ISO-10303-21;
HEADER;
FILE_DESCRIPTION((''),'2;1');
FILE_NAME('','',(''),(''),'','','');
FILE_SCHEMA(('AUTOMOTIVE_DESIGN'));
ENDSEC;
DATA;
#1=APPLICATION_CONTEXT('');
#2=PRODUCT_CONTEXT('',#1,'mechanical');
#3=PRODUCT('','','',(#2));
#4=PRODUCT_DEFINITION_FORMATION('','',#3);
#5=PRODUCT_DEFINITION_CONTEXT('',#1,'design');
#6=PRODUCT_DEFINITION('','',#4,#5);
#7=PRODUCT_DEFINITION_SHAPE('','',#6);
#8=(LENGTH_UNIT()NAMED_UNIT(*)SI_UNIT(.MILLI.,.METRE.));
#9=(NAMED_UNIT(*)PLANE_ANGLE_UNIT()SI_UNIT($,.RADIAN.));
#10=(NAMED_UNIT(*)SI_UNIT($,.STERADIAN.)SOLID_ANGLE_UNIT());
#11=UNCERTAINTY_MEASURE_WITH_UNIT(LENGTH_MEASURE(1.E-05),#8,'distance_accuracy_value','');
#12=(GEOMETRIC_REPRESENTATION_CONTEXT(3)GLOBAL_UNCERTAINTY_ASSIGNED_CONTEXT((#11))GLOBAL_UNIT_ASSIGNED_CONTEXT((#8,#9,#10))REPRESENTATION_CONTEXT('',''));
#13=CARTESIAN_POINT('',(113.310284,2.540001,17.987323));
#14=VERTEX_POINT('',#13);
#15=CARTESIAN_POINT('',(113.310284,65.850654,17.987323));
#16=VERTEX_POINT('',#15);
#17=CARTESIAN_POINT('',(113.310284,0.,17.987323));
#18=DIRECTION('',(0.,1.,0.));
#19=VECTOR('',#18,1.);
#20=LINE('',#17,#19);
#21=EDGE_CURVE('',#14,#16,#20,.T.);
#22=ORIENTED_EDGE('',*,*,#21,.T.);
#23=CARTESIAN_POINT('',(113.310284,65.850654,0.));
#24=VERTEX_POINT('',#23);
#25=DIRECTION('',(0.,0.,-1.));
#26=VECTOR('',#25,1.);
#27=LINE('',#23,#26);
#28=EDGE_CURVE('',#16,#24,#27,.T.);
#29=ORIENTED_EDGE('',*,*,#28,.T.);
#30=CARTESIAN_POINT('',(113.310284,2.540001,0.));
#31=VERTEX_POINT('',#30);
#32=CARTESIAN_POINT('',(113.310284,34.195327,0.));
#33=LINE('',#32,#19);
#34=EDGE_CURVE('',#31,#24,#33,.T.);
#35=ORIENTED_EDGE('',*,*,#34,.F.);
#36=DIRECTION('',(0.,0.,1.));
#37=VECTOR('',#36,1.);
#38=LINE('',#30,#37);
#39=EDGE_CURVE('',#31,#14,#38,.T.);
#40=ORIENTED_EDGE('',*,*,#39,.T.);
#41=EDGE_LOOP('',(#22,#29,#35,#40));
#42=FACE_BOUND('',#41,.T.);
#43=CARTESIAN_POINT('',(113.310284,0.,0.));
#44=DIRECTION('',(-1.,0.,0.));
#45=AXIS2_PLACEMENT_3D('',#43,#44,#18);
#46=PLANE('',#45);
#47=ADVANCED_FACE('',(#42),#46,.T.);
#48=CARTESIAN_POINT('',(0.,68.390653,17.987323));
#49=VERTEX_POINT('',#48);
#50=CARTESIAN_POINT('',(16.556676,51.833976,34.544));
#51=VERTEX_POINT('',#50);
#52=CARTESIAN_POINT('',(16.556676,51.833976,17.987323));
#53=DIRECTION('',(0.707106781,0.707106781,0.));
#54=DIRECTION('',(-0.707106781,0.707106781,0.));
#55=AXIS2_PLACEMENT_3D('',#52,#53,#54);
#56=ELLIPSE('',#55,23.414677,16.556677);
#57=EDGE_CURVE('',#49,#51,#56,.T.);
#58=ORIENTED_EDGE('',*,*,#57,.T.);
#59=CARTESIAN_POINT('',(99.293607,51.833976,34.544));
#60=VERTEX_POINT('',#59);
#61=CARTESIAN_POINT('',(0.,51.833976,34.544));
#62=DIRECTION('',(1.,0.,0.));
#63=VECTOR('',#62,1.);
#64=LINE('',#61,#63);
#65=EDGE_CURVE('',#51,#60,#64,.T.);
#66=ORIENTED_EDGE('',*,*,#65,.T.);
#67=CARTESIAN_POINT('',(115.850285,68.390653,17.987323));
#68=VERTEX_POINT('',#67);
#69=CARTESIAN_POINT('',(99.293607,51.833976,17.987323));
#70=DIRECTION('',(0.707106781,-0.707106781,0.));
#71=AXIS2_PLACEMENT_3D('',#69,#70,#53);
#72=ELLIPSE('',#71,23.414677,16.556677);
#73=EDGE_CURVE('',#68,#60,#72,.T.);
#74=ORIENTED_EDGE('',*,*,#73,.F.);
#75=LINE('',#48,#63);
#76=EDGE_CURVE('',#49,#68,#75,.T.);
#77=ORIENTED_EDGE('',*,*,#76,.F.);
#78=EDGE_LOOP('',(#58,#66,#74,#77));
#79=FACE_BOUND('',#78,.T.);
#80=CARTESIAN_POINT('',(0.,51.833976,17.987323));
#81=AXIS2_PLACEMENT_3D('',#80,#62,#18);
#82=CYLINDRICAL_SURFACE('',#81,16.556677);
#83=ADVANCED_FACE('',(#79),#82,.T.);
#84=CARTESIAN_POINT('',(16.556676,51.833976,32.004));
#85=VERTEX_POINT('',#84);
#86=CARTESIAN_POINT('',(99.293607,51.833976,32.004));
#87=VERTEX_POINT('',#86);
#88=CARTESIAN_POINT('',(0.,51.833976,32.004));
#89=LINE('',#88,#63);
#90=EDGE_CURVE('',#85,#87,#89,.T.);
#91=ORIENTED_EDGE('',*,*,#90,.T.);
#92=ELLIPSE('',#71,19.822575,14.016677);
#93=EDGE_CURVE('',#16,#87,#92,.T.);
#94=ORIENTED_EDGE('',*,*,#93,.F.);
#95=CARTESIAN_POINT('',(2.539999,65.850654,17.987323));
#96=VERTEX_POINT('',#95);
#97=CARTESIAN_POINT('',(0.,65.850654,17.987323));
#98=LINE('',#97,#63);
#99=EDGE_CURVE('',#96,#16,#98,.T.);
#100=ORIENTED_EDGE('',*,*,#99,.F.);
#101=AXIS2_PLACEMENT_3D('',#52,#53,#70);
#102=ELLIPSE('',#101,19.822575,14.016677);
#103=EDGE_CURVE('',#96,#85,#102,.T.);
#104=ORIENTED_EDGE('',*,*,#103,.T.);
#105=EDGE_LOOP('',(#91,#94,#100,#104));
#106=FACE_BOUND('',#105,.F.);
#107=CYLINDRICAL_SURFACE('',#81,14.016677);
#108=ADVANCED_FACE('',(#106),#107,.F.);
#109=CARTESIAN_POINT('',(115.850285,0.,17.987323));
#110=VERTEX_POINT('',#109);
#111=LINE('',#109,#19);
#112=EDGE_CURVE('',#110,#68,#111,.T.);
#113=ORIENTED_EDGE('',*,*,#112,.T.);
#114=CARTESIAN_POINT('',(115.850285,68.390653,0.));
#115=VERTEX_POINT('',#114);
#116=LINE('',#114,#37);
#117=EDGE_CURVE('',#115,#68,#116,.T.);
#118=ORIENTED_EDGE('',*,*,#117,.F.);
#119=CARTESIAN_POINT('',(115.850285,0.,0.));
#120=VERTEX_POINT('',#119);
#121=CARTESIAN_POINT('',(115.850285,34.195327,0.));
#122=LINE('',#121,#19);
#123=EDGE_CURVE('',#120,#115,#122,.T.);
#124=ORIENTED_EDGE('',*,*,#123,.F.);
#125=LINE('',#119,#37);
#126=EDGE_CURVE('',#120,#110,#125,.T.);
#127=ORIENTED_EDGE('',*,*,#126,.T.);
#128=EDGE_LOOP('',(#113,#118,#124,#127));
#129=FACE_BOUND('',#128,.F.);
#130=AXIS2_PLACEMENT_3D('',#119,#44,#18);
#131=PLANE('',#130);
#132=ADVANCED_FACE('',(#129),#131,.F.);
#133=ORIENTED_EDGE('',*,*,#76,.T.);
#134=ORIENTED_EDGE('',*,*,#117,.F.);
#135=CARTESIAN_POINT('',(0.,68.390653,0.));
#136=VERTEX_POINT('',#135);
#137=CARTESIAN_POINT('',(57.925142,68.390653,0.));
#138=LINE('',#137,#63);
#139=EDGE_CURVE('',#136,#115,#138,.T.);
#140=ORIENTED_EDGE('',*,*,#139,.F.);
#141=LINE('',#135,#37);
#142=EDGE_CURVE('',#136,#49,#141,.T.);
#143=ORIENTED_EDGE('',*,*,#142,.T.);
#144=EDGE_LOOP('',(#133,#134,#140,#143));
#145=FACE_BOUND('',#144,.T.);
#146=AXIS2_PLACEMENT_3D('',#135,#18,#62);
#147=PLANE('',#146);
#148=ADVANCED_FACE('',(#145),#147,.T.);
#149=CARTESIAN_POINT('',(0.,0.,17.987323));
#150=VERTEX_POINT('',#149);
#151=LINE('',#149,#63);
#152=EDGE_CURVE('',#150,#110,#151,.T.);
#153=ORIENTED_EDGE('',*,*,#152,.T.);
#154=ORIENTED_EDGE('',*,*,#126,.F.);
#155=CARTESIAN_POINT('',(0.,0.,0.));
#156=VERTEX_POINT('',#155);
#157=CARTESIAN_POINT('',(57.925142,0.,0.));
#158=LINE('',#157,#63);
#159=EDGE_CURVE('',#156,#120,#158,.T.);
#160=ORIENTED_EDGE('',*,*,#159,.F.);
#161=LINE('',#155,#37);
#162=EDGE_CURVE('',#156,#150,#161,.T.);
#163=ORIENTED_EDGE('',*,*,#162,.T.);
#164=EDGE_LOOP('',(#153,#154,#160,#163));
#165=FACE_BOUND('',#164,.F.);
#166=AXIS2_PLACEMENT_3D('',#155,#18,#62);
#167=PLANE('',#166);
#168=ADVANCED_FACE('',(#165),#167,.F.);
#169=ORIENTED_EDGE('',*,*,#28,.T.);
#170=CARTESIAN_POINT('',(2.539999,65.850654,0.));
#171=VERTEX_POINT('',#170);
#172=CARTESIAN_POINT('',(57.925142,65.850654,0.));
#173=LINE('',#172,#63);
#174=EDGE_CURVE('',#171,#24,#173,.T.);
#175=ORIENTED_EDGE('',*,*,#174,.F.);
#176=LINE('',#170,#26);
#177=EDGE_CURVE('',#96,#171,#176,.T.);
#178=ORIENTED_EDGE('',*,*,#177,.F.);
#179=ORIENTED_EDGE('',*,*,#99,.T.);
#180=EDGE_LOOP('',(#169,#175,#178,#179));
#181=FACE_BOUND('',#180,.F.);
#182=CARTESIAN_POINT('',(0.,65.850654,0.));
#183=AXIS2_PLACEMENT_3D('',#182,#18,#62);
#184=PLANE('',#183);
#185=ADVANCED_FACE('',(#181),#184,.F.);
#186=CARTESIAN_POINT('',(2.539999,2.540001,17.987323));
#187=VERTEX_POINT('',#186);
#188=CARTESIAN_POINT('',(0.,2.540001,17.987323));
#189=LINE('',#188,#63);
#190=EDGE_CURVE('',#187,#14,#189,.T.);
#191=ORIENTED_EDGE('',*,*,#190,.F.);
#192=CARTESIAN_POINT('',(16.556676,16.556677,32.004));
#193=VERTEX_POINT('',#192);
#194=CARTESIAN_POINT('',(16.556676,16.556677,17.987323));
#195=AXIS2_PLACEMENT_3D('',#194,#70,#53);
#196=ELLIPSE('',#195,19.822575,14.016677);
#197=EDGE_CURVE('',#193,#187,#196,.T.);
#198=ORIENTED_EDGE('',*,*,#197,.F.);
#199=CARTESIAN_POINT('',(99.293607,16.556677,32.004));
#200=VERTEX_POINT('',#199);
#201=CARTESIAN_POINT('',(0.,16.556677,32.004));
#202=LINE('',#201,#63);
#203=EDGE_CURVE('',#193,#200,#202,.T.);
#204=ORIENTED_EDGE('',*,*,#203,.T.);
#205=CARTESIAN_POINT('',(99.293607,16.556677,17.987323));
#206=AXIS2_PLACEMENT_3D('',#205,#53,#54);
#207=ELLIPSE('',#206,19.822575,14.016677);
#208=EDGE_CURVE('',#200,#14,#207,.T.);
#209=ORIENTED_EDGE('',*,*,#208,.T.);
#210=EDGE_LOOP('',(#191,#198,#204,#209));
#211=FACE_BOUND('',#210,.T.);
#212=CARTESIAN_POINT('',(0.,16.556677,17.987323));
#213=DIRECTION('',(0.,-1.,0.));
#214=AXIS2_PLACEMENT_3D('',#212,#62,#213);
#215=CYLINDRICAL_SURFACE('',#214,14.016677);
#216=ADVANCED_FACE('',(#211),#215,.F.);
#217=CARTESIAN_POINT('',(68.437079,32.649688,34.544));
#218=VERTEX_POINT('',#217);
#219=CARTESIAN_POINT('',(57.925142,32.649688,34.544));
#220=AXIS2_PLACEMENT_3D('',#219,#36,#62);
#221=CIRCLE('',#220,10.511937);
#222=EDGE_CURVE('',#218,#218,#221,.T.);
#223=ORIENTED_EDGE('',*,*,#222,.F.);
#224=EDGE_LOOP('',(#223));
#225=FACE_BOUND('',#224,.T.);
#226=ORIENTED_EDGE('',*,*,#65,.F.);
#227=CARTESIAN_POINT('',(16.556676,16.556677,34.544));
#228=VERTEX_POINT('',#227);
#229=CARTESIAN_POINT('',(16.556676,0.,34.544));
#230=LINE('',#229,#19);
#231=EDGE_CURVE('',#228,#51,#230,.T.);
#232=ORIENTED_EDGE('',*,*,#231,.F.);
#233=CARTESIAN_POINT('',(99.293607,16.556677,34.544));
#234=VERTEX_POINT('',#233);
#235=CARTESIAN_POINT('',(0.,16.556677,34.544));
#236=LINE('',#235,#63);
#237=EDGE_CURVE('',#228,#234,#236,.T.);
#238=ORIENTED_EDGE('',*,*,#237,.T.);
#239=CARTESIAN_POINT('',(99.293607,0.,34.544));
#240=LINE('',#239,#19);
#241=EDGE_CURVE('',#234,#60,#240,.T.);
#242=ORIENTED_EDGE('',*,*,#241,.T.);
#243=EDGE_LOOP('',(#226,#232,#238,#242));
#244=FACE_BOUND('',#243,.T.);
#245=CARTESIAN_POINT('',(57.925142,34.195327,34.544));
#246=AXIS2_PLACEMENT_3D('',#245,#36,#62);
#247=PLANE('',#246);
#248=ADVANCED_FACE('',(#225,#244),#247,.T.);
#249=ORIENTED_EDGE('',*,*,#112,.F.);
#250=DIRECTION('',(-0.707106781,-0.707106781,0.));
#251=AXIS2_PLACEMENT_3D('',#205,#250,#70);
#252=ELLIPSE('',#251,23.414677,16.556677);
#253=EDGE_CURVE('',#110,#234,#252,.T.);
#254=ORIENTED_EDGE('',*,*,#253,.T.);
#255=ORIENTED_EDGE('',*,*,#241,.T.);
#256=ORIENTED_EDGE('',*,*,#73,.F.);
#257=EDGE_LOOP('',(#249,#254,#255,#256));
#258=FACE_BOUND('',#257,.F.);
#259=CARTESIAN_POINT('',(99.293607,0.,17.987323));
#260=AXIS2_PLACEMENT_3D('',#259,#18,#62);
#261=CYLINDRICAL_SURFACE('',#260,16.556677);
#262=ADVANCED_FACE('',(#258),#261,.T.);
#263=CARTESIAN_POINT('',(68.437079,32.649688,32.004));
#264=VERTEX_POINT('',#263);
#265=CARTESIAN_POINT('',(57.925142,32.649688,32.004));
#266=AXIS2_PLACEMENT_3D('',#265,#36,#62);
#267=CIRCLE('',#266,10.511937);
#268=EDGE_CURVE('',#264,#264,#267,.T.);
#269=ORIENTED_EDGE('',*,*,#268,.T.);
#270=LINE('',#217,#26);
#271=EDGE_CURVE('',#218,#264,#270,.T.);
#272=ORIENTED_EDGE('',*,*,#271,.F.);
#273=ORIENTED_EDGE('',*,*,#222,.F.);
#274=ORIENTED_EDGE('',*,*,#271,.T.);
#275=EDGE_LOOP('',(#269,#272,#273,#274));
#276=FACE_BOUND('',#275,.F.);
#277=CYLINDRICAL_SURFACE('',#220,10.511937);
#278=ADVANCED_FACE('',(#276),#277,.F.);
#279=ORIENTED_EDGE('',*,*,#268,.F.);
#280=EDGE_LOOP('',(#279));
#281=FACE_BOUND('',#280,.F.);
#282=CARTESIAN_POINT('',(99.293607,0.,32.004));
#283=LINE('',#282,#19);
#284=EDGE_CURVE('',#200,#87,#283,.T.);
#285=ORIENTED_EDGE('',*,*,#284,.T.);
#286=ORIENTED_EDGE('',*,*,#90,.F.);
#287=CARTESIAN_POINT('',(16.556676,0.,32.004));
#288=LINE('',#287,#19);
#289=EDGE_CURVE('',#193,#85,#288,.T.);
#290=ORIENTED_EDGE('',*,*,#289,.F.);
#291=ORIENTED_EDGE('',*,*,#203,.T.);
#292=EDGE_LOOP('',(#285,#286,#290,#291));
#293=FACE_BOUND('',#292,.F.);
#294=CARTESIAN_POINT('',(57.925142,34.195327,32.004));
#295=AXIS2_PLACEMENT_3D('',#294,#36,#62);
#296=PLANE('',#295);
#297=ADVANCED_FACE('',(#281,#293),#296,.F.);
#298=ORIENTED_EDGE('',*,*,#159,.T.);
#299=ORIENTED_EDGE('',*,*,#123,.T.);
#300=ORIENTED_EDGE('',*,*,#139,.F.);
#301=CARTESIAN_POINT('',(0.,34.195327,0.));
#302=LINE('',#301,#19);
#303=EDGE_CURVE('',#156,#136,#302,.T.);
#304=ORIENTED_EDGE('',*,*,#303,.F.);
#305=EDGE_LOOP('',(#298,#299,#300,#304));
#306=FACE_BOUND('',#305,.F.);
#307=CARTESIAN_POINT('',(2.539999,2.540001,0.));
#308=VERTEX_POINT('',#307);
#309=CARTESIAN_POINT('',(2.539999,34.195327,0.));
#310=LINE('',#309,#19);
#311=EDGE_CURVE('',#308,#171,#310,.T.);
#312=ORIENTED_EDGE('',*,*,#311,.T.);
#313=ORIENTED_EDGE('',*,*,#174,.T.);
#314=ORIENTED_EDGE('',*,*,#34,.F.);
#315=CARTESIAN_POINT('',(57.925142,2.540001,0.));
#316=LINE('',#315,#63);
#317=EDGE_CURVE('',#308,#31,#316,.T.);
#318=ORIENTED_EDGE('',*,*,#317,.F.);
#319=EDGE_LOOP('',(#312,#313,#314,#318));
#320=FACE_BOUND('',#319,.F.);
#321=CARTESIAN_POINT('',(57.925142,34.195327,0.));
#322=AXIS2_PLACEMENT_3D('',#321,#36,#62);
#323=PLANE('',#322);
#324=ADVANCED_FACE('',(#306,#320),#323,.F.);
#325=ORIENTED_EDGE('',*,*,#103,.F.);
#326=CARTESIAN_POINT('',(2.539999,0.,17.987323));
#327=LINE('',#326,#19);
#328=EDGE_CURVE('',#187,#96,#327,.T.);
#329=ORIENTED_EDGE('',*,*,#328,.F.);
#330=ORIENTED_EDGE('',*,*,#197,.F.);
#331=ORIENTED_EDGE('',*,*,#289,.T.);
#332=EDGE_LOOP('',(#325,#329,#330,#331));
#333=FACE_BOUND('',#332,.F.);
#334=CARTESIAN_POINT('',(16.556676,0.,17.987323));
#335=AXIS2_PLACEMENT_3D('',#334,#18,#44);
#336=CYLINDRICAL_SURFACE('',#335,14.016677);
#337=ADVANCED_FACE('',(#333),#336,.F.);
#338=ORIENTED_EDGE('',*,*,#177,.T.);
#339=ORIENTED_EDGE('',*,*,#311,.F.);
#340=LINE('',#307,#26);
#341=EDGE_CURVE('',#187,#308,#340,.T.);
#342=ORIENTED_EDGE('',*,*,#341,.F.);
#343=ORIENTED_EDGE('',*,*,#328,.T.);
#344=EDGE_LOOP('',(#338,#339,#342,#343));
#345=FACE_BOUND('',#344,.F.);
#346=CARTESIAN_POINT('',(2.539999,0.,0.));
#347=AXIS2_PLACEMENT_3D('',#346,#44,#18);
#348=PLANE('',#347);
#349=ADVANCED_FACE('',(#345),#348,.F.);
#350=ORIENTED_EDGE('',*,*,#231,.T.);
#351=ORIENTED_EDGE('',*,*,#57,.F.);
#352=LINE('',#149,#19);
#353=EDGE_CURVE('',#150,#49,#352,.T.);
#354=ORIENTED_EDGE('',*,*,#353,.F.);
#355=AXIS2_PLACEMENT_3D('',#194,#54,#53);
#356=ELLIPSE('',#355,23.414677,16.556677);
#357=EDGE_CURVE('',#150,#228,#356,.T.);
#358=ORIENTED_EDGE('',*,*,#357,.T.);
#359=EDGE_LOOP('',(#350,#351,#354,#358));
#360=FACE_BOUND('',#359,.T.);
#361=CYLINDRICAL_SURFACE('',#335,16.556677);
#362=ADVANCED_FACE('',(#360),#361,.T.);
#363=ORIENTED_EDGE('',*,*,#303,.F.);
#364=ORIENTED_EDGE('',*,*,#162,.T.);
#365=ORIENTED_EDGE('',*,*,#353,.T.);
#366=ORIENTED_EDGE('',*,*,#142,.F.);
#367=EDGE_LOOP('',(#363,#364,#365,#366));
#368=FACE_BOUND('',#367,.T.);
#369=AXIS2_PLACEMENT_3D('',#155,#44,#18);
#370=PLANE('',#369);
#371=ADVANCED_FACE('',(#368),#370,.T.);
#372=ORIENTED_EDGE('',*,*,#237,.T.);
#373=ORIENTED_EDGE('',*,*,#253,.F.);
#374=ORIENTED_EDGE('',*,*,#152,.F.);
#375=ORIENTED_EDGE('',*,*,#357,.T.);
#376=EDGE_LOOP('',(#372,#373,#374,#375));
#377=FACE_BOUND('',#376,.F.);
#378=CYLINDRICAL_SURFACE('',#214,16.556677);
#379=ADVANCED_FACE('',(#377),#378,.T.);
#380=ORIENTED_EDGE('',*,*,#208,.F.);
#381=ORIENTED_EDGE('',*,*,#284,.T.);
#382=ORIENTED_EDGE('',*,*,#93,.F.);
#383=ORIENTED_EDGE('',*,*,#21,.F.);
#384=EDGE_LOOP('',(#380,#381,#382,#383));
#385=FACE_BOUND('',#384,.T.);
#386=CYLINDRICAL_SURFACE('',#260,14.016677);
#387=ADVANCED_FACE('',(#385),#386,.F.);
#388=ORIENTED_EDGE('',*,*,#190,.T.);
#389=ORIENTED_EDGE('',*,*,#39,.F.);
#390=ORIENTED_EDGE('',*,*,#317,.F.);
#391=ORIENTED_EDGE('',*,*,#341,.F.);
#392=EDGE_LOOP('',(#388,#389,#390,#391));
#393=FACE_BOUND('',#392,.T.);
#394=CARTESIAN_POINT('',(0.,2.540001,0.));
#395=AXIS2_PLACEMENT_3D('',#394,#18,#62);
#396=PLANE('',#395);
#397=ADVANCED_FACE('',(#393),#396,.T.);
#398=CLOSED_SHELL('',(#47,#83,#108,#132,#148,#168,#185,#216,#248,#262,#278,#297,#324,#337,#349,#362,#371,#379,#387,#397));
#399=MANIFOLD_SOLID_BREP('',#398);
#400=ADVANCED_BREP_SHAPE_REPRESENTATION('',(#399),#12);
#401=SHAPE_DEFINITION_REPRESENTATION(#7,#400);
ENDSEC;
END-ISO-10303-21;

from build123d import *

# Parameters (mm, degrees)
F0_W     = 115.850285
F0_H     = 68.390653
F1_DEPTH = 34.544
F2_R     = 16.556677
F3_T     = -2.54
F4_R     = 10.511937
F5_DEPTH = 25.4


with BuildPart() as f1:
    # F0 (on Top) → F1 (new body)
    with BuildSketch(Plane.XY):
        with Locations((57.925142, 34.195327)):
            Rectangle(F0_W, F0_H)
    extrude(amount=F1_DEPTH)

    # F2
    f2_edges = [f1.edges().sort_by_distance(p)[0] for p in [
        (0, 34.195326, 34.544),
        (57.925142, 0, 34.544),
        (115.850285, 34.195326, 34.544),
        (57.925142, 68.390653, 34.544),
    ]]
    fillet(f2_edges, radius=F2_R)

    # F3
    f3_openings = [f1.faces().sort_by_distance(p)[0] for p in [
        (57.925142, 34.195326, 0),
    ]]
    offset(amount=F3_T, openings=f3_openings)

    # F4 (on face) → F5 (cut)
    with BuildSketch(Plane.XY.offset(34.544)):
        with Locations((57.925142, 32.649688)):
            Circle(F4_R)
    extrude(amount=-F5_DEPTH, mode=Mode.SUBTRACT)


solid = f1.part
